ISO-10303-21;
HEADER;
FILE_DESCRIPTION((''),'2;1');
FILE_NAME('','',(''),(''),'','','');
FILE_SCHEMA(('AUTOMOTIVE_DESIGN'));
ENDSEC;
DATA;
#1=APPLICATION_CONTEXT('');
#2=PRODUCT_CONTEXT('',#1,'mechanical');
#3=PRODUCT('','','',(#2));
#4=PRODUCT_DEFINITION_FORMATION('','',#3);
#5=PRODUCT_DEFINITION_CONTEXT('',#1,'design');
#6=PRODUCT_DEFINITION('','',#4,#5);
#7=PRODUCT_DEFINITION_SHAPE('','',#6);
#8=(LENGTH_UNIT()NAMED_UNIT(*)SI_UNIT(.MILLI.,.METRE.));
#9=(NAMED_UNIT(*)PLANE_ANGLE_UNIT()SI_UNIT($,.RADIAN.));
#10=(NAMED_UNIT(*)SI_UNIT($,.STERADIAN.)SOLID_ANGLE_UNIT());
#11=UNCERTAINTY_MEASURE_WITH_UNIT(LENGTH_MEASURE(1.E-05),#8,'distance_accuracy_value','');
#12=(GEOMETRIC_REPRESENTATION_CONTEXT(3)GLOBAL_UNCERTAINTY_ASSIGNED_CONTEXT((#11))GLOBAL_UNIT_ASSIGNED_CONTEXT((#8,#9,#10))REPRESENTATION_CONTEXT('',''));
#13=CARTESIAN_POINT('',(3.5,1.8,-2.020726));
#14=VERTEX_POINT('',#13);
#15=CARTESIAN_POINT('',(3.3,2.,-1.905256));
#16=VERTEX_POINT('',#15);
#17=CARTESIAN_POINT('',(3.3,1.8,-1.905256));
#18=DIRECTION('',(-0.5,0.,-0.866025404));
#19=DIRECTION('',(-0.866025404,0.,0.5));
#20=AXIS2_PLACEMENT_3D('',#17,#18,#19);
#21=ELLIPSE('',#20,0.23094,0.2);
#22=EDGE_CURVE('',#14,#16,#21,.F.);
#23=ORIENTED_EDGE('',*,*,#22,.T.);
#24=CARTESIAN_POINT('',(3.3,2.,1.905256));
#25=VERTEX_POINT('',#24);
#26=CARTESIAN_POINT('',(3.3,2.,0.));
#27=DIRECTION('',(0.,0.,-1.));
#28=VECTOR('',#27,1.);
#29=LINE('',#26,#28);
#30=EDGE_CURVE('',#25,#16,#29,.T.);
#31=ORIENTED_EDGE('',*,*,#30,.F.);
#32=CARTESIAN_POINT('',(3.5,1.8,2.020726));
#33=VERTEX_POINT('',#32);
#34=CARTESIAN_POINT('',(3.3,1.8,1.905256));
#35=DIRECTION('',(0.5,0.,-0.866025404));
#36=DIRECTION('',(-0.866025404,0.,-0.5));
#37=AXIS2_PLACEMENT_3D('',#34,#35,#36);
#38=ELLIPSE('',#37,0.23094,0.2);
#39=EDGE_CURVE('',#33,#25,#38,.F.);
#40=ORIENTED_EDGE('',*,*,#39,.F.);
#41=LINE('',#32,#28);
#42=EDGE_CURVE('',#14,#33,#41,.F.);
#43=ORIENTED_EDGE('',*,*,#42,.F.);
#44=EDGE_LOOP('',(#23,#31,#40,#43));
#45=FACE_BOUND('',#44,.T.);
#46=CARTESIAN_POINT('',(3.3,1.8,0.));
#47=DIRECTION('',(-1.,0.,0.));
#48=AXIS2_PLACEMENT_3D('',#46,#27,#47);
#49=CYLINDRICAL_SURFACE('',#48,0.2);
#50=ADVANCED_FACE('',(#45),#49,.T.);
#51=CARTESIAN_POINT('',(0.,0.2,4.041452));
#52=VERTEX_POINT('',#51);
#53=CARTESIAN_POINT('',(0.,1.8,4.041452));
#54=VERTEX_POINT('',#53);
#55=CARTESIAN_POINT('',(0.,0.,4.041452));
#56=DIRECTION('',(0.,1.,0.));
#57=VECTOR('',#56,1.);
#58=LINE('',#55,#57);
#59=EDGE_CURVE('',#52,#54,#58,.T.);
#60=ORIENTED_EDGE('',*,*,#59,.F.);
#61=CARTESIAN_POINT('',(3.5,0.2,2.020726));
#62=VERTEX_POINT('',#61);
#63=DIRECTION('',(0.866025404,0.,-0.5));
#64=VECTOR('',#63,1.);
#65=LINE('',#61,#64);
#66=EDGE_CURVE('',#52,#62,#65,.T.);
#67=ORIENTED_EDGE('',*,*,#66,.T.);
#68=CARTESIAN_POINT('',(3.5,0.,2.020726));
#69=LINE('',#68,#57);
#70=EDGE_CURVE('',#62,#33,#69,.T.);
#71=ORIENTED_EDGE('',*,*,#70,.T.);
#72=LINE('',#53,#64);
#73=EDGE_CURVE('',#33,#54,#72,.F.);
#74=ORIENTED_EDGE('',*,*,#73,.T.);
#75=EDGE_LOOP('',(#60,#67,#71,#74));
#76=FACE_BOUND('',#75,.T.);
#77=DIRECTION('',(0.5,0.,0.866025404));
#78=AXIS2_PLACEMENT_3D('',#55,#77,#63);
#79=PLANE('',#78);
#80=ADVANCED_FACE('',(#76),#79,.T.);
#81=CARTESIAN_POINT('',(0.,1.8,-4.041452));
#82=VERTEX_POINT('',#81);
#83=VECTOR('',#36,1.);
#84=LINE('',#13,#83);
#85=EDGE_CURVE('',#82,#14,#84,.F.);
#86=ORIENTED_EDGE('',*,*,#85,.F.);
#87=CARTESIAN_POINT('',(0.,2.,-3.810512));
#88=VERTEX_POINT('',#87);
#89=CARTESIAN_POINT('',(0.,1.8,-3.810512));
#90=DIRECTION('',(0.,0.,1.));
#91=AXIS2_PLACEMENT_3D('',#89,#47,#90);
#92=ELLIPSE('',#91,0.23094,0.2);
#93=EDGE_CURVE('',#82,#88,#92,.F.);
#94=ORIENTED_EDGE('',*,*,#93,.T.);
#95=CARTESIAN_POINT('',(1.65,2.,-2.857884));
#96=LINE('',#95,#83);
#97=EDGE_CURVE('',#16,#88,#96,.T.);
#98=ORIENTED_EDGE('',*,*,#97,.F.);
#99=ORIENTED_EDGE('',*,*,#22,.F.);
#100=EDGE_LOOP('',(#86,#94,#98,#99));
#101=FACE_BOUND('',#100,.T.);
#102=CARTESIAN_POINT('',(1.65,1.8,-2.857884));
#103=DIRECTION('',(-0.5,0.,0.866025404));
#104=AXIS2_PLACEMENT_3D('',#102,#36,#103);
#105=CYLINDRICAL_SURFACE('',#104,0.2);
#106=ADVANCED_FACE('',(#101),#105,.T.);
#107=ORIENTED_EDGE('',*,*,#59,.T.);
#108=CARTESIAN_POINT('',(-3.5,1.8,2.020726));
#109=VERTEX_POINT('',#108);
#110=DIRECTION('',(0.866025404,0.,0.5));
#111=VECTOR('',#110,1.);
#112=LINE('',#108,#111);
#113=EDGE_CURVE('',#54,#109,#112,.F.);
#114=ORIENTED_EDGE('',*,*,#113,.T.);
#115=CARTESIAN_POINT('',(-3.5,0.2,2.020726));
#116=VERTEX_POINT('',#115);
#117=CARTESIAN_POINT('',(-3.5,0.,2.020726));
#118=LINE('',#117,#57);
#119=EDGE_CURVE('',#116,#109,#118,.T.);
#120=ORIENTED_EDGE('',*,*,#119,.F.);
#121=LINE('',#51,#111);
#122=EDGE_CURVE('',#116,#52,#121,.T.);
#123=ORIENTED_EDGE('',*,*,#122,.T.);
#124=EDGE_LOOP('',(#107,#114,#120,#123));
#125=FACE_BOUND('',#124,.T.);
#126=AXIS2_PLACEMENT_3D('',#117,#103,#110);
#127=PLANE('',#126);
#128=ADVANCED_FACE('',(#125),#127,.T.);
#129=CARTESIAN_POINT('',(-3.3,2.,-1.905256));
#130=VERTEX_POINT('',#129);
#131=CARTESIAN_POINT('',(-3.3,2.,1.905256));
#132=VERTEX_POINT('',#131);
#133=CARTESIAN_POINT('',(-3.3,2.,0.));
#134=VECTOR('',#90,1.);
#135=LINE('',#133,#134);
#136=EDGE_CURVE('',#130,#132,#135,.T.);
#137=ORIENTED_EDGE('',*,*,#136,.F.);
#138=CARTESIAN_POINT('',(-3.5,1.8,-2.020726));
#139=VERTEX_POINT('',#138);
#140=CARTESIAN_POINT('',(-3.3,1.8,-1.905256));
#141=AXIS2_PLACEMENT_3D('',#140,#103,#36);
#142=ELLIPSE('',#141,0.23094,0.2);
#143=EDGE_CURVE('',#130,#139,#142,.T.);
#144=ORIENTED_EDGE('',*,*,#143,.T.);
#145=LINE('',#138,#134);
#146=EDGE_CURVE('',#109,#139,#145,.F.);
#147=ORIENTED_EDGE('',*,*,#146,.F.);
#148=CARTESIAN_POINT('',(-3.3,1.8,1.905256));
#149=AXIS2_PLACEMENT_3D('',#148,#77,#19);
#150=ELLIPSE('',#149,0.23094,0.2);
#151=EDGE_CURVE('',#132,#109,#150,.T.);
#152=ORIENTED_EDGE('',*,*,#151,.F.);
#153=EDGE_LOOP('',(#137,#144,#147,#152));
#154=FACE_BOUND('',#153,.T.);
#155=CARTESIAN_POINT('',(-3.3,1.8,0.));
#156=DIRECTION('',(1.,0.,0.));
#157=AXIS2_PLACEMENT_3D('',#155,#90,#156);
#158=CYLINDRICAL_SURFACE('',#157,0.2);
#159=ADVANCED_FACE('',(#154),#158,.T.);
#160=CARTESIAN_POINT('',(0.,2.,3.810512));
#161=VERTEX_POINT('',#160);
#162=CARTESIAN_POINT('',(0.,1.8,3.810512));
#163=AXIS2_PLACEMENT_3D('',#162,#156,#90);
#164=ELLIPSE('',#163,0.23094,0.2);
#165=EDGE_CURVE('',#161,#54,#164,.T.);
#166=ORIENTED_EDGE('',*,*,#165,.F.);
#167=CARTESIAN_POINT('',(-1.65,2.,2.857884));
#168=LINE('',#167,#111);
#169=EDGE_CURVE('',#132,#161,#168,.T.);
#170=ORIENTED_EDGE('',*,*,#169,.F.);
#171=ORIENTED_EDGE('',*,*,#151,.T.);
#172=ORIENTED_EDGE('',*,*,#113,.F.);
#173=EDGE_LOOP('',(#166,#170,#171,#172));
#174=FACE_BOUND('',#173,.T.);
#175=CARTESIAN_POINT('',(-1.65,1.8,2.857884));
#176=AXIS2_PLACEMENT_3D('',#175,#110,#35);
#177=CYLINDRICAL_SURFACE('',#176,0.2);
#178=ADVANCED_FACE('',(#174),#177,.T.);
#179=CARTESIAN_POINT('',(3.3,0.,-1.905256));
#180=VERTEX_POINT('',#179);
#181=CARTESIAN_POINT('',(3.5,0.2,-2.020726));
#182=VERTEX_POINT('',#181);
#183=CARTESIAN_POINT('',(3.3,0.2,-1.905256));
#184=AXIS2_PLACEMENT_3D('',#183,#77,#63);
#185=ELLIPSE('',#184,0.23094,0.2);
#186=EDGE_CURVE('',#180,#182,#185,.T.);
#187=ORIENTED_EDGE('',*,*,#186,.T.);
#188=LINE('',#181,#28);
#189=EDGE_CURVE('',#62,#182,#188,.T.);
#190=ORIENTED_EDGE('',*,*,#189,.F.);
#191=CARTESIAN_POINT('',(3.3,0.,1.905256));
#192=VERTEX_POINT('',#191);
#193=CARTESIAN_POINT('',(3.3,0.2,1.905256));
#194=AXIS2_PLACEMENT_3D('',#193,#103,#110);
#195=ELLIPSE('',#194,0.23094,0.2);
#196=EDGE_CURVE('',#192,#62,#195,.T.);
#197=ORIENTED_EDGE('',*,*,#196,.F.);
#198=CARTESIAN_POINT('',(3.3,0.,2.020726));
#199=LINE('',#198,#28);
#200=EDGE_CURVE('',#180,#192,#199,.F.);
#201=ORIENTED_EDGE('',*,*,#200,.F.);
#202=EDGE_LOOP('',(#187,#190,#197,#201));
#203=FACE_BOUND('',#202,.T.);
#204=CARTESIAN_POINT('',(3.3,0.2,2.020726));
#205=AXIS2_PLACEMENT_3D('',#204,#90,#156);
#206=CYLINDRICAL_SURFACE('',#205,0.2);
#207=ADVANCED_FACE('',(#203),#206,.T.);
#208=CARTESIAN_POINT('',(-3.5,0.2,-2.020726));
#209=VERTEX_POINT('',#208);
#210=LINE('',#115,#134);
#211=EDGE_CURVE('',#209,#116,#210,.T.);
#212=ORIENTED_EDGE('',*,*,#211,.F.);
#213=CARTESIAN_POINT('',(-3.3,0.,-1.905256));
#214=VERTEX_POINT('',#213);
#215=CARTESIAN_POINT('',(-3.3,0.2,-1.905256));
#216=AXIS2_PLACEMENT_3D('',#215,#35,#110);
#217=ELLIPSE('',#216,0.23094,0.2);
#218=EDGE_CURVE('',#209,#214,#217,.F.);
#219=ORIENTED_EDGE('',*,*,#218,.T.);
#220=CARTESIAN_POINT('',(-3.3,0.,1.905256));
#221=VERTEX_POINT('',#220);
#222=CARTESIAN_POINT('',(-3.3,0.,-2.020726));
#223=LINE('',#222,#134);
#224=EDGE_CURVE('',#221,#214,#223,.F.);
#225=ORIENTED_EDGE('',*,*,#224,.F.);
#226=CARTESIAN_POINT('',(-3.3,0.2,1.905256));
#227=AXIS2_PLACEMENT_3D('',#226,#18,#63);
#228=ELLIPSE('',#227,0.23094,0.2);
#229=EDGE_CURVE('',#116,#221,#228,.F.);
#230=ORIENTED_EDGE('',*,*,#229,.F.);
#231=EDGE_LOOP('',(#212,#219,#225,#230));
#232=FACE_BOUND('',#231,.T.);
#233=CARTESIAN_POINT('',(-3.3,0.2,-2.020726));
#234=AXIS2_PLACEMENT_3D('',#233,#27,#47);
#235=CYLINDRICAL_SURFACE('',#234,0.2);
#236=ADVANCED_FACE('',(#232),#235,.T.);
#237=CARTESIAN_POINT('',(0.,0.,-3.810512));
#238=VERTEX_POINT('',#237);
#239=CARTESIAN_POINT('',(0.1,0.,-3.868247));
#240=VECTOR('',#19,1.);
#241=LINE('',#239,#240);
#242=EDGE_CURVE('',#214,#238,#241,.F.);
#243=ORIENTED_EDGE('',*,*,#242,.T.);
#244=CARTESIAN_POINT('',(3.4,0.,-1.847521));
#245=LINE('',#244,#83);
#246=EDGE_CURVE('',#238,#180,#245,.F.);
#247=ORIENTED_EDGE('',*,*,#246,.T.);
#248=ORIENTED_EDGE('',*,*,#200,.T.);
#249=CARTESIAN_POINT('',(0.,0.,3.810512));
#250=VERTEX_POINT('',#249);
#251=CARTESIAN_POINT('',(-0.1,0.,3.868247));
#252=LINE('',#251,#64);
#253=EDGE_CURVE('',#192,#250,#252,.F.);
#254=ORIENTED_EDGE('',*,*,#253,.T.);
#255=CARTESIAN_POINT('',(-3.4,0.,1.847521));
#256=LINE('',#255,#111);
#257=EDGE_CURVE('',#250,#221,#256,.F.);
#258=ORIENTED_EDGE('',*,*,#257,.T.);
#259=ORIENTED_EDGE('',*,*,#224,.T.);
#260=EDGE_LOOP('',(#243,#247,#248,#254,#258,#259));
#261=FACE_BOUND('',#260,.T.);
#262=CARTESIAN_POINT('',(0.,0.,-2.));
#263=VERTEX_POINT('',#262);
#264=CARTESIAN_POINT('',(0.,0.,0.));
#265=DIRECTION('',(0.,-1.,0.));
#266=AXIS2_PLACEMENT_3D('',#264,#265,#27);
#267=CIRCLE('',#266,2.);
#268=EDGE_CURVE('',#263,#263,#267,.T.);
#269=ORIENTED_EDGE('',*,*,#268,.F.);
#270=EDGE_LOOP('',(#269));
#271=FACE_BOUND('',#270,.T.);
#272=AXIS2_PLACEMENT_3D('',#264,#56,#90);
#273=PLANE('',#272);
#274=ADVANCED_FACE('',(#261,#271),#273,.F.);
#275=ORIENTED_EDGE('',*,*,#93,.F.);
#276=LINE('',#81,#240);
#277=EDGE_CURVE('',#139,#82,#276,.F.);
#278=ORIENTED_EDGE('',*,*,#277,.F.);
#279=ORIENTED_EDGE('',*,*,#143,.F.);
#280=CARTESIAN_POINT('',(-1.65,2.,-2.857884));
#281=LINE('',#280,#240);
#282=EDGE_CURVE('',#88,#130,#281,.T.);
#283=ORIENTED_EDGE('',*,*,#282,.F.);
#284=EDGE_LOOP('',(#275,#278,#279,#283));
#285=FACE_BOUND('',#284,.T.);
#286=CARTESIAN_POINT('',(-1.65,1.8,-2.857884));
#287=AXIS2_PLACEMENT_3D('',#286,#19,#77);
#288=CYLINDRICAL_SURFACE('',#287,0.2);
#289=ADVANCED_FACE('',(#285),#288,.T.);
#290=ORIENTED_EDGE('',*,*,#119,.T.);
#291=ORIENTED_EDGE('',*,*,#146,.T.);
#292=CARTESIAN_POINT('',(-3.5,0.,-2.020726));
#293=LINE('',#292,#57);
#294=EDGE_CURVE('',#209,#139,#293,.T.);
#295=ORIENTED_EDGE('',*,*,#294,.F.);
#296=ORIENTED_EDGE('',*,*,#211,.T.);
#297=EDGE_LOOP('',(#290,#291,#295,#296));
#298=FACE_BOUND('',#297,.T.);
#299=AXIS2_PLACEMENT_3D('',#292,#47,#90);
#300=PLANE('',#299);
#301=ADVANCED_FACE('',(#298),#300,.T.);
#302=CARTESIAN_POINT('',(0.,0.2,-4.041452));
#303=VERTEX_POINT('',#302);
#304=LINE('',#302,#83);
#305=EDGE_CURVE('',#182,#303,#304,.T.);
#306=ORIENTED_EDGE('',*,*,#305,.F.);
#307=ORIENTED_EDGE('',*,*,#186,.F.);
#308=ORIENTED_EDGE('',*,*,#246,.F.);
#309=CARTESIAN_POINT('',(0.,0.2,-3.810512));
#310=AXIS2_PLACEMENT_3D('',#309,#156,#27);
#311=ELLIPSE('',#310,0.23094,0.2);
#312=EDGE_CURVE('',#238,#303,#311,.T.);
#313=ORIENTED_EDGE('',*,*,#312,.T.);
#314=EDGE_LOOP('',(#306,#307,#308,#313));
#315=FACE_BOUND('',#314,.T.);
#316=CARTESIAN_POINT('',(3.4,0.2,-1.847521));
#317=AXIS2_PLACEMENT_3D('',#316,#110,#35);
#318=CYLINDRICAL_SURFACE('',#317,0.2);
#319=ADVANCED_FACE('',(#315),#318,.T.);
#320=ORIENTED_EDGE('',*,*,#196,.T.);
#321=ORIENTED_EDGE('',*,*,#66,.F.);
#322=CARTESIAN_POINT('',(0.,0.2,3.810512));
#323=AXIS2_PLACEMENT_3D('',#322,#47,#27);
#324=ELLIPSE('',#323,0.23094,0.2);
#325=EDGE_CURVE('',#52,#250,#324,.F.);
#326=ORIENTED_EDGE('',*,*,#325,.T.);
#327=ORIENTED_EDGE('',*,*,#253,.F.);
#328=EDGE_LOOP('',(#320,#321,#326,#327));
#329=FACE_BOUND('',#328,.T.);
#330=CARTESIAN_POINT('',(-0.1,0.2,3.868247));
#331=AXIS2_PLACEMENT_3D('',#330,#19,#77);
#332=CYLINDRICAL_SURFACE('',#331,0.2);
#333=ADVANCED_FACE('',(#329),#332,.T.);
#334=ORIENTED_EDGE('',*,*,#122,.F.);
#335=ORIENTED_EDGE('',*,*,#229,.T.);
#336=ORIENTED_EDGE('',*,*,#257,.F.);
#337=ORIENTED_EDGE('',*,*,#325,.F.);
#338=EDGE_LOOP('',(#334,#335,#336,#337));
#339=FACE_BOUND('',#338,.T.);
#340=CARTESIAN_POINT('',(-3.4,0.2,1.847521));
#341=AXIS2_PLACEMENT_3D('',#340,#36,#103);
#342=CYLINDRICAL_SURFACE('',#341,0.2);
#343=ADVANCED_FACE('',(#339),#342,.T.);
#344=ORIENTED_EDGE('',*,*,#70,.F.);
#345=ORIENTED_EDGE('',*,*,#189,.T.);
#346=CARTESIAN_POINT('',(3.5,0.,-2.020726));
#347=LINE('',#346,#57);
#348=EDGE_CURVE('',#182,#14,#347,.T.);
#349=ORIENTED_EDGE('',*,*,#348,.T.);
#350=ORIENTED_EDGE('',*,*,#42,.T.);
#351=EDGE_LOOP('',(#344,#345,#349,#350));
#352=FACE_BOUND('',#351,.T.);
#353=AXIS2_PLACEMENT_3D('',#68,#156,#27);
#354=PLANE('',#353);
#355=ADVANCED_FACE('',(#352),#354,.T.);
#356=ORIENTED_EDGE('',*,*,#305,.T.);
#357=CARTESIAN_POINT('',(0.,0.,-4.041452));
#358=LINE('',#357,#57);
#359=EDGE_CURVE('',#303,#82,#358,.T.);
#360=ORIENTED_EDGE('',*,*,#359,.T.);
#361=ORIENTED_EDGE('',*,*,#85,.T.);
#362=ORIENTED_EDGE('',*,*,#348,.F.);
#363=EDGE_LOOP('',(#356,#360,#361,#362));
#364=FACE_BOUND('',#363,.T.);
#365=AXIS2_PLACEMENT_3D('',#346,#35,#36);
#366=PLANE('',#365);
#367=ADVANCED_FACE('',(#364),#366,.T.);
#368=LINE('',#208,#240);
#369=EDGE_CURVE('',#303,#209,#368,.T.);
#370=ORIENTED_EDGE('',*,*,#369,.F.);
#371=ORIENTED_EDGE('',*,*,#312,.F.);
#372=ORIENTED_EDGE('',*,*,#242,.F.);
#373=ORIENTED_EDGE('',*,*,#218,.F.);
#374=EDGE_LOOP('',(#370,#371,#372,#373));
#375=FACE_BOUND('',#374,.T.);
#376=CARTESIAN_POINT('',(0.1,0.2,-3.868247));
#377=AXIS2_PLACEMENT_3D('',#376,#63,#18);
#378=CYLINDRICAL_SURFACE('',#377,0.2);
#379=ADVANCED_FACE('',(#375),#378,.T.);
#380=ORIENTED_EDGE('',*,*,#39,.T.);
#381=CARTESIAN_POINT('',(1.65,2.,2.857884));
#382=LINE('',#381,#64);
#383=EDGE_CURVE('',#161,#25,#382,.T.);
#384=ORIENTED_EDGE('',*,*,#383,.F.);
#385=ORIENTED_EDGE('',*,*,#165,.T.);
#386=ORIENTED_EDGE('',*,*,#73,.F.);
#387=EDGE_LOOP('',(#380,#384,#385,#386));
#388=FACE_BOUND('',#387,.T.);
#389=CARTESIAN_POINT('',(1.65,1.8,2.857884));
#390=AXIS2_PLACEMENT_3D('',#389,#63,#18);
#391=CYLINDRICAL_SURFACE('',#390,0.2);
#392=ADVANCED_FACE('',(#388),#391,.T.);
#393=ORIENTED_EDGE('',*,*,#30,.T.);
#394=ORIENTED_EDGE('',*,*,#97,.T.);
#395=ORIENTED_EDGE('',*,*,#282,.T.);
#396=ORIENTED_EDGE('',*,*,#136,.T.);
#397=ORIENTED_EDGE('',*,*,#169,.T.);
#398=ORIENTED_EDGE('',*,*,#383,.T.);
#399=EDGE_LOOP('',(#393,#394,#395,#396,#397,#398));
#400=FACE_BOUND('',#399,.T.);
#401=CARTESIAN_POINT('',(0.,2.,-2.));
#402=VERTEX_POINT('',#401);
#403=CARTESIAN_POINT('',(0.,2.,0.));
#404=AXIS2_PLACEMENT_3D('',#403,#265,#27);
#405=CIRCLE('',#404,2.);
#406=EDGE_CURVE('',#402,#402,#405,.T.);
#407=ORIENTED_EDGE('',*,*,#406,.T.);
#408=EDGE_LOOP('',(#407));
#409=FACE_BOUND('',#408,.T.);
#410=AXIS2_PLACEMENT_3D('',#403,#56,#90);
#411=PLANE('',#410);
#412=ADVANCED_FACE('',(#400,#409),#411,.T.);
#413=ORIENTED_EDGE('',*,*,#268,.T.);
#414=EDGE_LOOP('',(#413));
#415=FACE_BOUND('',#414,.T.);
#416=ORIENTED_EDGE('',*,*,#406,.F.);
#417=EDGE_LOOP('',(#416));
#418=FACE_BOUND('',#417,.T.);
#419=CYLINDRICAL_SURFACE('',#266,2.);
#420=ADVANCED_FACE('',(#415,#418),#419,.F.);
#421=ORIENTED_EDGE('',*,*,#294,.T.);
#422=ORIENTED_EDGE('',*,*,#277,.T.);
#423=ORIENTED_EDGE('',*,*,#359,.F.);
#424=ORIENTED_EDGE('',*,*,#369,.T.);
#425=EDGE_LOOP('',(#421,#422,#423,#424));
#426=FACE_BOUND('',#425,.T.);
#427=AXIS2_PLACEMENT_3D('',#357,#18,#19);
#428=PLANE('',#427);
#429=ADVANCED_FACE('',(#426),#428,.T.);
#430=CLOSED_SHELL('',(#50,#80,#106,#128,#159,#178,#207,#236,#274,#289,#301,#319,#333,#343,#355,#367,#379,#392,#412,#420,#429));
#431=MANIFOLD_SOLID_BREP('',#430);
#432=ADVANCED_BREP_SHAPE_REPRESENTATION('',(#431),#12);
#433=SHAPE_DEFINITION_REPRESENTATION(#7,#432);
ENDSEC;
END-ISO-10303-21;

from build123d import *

# Parameters (mm, degrees)
BOSS_EXTRUDE1_DEPTH      = 2
F_4_0_4_DIAMETER_HOLE1_D = 4
FILLET1_R                = 0.2


with BuildPart() as part:
    # Sketch1 → Boss-Extrude1 (new body)
    with BuildSketch(Plane(origin=(0, 2, 0), x_dir=(1, 0, 0), z_dir=(0, 1, 0))):
        Polygon((0, 4.041451884), (-3.5, 2.020725942), (-3.5, -2.020725942), (0, -4.041451884), (3.5, -2.020725942), (3.5, 2.020725942), align=None)
    extrude(amount=-BOSS_EXTRUDE1_DEPTH)

    # Ø4.0 (4) Diameter Hole1 (through all)
    with Locations(Plane(origin=(0, 0, 0), x_dir=(-1, 0, 0), z_dir=(0, -1, 0))):
        with Locations((0, 0)):
            Hole(F_4_0_4_DIAMETER_HOLE1_D / 2)

    # Fillet1
    fillet1_edges = [part.edges().sort_by_distance(p)[0] for p in [
        (-3.5, 0, 0),
        (-1.75, 0, 3.031088913),
        (1.75, 0, 3.031088913),
        (3.5, 0, 0),
        (1.75, 0, -3.031088913),
        (3.5, 2, 0),
        (1.75, 2, 3.031088913),
        (-1.75, 2, 3.031088913),
        (-3.5, 2, 0),
        (-1.75, 2, -3.031088913),
        (1.75, 2, -3.031088913),
        (-1.75, 0, -3.031088913),
    ]]
    fillet(fillet1_edges, radius=FILLET1_R)


solid = part.part
